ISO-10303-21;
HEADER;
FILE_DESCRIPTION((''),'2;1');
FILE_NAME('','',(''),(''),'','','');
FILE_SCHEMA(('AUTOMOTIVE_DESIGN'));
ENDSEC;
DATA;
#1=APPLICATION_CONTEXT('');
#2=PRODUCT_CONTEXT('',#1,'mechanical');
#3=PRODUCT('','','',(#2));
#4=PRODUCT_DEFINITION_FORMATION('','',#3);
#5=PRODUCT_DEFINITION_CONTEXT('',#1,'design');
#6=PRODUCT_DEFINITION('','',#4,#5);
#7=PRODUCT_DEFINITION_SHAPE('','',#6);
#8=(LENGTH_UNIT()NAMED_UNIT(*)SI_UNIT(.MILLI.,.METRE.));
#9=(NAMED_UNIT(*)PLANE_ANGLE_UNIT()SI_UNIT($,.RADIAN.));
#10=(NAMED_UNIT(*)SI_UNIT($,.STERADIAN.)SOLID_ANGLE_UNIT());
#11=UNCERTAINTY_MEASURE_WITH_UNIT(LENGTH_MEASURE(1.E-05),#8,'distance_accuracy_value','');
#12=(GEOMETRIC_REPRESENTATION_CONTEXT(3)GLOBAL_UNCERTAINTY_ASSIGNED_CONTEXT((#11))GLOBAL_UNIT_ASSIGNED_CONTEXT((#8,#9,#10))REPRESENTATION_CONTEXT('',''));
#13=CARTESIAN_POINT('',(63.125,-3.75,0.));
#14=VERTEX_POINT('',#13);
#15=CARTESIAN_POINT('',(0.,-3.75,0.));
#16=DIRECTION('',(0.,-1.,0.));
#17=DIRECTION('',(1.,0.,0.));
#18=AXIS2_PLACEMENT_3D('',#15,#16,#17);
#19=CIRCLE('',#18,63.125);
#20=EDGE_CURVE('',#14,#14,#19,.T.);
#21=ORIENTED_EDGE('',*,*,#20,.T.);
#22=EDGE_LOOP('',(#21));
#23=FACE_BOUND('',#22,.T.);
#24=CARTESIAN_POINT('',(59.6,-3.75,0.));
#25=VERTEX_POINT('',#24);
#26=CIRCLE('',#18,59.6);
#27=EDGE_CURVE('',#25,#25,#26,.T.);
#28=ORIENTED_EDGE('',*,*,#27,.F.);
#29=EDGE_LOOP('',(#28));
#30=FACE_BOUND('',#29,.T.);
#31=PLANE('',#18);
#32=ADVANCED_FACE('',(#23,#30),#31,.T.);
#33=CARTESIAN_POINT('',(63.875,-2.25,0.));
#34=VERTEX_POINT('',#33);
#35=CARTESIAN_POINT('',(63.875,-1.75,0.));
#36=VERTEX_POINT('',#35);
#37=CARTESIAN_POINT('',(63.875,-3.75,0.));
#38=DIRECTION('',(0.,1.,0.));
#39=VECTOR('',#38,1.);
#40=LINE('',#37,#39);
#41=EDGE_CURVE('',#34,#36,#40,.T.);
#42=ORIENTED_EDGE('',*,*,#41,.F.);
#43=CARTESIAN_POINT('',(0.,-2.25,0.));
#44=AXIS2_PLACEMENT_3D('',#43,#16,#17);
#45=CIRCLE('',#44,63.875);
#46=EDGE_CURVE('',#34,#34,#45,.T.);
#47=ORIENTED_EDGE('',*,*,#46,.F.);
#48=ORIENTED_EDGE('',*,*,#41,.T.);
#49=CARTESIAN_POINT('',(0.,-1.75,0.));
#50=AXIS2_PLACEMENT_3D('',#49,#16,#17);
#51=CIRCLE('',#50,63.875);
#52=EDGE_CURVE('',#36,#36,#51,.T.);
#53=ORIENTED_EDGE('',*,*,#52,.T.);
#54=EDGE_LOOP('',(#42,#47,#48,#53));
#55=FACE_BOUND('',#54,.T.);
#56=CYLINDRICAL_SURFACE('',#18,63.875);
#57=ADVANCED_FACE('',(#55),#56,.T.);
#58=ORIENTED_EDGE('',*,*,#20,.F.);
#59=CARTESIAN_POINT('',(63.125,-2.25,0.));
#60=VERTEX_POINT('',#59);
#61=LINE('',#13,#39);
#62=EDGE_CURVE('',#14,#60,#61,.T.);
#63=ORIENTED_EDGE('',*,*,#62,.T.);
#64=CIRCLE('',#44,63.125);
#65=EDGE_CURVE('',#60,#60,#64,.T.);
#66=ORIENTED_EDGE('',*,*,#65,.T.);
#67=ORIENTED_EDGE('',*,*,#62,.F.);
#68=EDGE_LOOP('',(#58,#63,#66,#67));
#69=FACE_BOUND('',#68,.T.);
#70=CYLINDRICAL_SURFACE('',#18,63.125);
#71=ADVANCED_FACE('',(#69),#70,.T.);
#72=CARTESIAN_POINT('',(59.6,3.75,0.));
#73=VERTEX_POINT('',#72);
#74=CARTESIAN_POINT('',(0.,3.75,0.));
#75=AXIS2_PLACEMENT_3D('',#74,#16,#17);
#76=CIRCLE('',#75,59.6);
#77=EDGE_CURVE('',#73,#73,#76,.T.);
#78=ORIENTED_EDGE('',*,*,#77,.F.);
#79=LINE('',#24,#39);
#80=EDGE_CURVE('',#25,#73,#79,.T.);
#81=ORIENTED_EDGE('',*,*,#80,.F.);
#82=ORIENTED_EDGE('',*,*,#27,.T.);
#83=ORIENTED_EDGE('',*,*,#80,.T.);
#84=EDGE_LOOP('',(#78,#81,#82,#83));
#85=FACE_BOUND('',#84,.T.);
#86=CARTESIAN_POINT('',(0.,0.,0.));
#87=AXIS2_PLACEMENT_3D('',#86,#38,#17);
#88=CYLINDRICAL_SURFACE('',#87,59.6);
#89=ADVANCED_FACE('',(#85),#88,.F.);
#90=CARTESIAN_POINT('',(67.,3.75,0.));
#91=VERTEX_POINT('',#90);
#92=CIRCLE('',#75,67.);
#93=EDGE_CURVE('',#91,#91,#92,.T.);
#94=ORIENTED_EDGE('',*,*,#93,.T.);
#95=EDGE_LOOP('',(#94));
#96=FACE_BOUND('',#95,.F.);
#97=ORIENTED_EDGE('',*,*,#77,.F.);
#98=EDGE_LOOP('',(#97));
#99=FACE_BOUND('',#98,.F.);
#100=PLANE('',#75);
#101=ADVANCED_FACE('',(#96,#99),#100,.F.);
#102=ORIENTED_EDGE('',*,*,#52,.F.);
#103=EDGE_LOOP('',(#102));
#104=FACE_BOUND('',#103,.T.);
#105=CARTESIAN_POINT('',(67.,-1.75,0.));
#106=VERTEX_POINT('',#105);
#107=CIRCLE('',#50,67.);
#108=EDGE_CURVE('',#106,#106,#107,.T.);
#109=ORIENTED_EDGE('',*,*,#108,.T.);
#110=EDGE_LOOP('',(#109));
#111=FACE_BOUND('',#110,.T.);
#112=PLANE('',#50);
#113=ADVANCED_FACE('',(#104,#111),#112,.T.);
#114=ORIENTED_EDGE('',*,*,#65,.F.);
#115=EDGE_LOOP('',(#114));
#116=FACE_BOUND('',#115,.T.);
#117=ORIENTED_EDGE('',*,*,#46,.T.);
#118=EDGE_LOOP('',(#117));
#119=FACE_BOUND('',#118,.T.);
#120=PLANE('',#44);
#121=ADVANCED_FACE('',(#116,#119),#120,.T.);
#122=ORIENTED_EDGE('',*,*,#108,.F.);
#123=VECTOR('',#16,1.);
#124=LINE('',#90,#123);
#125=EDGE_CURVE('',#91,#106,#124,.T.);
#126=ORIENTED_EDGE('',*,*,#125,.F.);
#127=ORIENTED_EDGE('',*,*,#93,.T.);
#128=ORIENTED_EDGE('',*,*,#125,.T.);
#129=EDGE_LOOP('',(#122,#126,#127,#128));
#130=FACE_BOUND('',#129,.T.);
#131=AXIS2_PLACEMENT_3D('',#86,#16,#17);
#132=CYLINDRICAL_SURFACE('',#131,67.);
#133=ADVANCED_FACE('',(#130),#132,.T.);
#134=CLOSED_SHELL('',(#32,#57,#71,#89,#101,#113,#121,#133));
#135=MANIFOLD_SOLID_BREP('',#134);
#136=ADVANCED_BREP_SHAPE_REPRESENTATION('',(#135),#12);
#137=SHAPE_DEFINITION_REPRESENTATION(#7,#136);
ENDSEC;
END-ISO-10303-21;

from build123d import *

# Parameters (mm, degrees)
F0_R        = 67
F0_R_2      = 59.6
F1_DEPTH    = 3.75
F2_R        = 63.875
F2_R_2      = 63.125
F3_DEPTH    = 1.5
F3_FACE_R   = 67
F3_FACE_R_2 = 63.875
F4_DEPTH    = 2


with BuildPart() as f1:
    # F0 (on Front) → F1 (new body, symmetric)
    with BuildSketch(Plane.XZ):
        Circle(F0_R)
        Circle(F0_R_2, mode=Mode.SUBTRACT)
    extrude(amount=F1_DEPTH, both=True)

    # F2 (on face) → F3 (cut)
    with BuildSketch(Plane.XZ.offset(3.75)):
        Circle(F2_R)
        Circle(F2_R_2, mode=Mode.SUBTRACT)
    extrude(amount=-F3_DEPTH, mode=Mode.SUBTRACT)

    # F3_face (on face) → F4 (cut)
    with BuildSketch(Plane.XZ.offset(3.75)):
        Circle(F3_FACE_R)
        Circle(F3_FACE_R_2, mode=Mode.SUBTRACT)
    extrude(amount=-F4_DEPTH, mode=Mode.SUBTRACT)


solid = f1.part
